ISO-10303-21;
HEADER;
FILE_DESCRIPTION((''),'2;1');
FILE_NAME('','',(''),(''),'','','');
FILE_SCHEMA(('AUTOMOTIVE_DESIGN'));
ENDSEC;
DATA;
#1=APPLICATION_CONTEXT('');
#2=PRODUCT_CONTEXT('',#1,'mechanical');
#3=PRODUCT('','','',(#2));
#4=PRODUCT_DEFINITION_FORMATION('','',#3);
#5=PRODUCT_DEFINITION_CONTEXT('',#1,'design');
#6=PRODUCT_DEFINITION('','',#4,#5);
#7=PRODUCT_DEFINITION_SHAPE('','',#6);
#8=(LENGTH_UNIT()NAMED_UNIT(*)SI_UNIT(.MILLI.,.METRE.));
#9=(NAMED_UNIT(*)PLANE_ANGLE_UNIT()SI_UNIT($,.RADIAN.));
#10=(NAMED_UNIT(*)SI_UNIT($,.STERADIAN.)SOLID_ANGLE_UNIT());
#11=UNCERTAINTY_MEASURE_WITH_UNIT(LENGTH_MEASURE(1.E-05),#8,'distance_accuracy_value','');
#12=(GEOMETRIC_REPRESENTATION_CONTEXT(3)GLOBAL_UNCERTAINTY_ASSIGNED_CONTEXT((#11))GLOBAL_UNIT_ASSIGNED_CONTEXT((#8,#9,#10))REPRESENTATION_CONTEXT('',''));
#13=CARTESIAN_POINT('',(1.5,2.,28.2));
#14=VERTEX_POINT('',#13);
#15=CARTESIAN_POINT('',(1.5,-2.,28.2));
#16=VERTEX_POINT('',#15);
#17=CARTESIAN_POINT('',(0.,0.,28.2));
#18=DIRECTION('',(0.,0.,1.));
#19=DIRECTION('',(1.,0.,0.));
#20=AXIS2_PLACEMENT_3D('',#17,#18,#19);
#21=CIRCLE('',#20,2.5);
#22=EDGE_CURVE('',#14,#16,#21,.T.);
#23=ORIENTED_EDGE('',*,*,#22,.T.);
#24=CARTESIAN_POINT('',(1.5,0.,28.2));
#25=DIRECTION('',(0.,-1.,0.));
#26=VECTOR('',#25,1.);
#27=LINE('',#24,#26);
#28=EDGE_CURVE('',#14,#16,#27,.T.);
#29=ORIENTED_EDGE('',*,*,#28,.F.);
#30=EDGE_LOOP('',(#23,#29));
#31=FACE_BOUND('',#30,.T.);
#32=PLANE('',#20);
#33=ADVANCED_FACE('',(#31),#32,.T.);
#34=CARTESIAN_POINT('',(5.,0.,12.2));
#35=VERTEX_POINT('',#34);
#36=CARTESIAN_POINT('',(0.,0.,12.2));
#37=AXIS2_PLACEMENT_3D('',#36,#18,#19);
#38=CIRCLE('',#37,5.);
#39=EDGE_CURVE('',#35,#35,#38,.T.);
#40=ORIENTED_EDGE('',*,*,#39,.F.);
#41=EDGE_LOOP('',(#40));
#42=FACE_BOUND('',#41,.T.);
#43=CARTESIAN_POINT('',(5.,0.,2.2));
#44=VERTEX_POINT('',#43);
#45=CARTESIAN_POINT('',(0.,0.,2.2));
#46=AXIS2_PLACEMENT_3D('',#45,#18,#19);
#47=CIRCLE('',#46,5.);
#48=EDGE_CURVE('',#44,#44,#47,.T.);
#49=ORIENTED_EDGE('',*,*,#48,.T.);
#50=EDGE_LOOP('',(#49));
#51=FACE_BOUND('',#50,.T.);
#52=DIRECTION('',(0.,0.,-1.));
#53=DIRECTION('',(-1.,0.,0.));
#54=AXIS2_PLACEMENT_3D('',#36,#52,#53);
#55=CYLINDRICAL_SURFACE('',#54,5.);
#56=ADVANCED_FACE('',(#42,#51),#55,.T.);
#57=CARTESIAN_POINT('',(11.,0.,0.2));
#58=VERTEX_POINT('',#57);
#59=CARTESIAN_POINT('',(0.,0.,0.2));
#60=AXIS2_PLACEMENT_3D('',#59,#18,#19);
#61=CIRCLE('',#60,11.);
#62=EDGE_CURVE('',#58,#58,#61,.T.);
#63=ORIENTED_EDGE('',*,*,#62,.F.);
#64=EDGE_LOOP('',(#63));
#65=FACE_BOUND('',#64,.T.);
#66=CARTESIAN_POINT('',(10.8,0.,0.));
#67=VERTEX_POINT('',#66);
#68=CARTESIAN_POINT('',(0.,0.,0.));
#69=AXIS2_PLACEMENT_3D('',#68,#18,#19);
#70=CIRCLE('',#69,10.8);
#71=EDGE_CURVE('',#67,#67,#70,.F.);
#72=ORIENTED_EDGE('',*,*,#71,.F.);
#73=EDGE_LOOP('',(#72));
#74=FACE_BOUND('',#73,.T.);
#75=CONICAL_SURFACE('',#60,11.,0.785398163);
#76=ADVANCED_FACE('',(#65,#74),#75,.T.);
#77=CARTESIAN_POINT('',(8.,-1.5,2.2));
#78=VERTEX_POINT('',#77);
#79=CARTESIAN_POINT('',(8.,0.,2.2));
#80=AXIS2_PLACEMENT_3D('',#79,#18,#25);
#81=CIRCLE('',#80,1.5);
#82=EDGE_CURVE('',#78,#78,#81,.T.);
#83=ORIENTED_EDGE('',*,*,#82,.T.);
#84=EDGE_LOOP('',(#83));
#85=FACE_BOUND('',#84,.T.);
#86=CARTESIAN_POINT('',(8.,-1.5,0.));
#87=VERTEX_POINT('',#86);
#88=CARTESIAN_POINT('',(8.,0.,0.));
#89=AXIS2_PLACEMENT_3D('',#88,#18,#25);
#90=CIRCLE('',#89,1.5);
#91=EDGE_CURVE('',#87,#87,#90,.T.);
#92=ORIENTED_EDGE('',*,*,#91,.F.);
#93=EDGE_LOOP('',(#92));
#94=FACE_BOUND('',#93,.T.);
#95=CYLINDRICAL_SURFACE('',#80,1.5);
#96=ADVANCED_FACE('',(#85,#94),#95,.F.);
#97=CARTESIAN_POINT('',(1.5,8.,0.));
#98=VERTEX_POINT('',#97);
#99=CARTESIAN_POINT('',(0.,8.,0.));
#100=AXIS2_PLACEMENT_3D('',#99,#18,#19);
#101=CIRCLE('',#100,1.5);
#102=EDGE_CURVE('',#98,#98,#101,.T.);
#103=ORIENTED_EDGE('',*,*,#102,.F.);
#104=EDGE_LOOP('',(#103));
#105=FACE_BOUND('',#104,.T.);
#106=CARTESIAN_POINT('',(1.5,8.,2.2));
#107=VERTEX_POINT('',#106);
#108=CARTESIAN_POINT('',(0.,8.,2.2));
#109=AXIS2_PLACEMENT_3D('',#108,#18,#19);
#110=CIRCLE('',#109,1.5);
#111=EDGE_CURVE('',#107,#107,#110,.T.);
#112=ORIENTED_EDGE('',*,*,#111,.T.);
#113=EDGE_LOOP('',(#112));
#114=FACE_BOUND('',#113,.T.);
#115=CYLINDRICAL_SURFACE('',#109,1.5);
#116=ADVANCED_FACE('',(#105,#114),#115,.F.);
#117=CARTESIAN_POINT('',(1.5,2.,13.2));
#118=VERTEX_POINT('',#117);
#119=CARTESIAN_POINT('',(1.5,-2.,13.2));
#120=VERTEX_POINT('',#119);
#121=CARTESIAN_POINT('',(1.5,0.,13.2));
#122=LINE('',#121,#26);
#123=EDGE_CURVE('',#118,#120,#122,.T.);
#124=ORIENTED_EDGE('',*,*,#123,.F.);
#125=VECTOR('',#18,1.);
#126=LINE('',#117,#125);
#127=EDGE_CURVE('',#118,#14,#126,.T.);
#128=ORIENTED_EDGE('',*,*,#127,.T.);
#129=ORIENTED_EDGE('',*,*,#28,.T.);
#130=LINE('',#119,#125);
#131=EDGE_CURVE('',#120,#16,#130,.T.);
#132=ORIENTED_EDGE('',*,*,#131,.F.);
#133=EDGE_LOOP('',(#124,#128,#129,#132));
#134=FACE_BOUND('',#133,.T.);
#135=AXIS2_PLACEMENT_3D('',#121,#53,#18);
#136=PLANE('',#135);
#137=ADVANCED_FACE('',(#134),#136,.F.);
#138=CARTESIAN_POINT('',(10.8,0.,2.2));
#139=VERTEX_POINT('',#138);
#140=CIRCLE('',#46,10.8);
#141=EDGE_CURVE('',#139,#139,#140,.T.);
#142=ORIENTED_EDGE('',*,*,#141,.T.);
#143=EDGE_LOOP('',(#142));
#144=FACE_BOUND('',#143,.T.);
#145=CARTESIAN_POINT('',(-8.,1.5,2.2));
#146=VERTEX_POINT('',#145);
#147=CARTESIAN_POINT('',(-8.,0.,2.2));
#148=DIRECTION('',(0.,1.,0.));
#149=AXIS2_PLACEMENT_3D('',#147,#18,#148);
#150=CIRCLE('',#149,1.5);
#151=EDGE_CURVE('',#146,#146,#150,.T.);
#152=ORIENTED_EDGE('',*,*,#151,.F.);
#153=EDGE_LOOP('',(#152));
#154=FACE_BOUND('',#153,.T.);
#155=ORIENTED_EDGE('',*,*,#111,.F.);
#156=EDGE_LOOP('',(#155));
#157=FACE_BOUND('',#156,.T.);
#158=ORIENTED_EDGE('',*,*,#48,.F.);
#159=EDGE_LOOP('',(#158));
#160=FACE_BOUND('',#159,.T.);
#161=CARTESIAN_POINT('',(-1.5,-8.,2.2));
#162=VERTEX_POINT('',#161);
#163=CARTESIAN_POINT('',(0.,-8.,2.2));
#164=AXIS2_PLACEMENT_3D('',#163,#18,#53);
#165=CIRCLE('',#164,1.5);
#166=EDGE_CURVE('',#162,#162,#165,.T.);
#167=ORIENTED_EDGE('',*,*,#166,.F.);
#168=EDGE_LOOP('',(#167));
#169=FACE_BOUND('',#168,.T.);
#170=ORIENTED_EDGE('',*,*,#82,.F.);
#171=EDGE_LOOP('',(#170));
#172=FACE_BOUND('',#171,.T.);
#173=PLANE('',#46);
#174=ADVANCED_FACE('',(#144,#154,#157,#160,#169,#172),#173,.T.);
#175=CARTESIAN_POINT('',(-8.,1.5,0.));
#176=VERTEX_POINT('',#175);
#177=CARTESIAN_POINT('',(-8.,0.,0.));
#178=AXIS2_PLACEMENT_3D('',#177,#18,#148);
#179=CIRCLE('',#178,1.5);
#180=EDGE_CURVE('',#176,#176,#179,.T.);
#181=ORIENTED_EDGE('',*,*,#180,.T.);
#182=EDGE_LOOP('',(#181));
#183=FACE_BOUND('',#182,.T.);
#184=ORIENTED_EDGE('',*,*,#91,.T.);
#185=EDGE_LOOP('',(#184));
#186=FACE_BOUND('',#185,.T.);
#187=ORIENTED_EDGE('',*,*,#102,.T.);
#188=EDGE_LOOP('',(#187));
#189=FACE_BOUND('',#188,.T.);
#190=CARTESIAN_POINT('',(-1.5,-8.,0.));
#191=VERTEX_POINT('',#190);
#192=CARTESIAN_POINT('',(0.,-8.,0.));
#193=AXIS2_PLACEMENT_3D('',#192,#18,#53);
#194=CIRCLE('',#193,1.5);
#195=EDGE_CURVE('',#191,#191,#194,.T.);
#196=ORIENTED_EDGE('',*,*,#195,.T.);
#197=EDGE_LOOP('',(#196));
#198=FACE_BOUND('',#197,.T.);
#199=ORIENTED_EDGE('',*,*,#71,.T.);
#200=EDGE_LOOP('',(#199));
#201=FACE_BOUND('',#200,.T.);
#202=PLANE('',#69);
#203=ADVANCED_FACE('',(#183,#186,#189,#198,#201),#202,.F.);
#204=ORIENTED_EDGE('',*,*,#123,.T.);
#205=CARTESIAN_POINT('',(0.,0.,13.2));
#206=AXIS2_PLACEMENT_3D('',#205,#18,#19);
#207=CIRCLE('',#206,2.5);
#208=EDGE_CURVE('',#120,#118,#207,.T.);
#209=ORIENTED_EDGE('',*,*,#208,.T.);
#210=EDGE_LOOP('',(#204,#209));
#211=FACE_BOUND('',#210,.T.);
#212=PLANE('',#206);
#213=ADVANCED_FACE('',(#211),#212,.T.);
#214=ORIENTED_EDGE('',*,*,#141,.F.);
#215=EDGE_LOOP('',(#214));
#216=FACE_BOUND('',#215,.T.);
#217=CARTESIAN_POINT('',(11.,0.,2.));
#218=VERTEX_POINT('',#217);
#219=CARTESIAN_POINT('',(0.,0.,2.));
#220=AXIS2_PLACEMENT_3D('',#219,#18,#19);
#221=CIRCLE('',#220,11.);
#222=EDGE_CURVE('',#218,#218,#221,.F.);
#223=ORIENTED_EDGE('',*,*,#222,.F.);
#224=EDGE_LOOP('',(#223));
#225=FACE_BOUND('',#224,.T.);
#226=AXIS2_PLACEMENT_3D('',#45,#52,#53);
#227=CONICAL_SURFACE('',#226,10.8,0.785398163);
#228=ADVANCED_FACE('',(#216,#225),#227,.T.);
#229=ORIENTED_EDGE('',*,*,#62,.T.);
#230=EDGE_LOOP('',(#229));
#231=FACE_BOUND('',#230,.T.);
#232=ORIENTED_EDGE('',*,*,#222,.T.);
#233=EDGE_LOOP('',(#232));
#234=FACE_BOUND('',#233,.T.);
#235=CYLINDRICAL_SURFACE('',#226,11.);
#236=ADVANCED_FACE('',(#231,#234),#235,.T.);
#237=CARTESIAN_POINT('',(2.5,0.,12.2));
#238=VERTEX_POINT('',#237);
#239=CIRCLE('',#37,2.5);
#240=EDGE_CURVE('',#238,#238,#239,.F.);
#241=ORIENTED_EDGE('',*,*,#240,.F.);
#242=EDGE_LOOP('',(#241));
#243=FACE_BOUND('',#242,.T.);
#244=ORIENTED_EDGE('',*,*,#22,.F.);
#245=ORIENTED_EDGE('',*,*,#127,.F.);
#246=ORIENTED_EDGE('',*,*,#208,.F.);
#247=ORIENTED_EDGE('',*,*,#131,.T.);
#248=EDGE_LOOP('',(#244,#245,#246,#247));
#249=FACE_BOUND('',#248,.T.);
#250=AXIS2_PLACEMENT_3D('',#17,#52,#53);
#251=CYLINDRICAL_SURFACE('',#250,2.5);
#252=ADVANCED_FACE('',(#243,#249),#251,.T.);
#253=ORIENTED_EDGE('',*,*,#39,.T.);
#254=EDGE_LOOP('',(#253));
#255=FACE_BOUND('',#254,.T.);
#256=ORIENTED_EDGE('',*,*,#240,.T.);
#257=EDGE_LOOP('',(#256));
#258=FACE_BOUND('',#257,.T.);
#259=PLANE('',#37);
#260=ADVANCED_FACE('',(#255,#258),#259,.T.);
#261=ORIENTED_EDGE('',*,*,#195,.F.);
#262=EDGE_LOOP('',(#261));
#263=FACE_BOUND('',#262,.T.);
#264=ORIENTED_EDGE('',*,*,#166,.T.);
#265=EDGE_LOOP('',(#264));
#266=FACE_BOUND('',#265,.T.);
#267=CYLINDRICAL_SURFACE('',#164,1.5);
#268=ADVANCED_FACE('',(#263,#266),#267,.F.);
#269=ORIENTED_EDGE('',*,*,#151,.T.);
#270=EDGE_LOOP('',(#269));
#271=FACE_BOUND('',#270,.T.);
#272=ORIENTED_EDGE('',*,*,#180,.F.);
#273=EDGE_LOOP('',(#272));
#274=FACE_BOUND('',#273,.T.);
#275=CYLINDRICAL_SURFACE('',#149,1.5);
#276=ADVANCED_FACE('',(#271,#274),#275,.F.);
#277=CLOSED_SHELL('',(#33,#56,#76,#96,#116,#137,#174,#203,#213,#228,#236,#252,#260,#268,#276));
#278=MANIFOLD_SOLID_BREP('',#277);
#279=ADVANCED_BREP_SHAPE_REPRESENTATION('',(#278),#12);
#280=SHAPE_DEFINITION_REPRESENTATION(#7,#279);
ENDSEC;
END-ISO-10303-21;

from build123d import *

# Parameters (mm, degrees)
SKETCH_1_R               = 11
SKETCH_1_R_2             = 5
EXTRUDE_1_DEPTH          = 2.2
SKETCH_2_R               = 5
EXTRUDE_2_DEPTH          = 10
F_3_0MM_1_D              = 3
PATTERN_CIRCULAR_1_COUNT = 4
CHAMFER_3_SIZE           = 0.2
SKETCH_12_R              = 2.5
EXTRUDE_1789_DEPTH       = 26
CUT_EXTRUDE_START        = -15
CUT_EXTRUDE_1_DEPTH      = 15


with BuildPart() as part:
    # 草图1 → 凸台-拉伸1 (new body)
    # profile 1 of 2: a face of its own
    with BuildSketch(Plane.XY):
        Circle(SKETCH_1_R)
        Circle(SKETCH_1_R_2, mode=Mode.SUBTRACT)
    # profile 2 of 2: a face of its own
    with BuildSketch(Plane.XY):
        Circle(SKETCH_1_R_2)
    extrude(amount=EXTRUDE_1_DEPTH)

    # 草图2 → 凸台-拉伸2 (add)
    with BuildSketch(Plane.XY.offset(2.2)):
        Circle(SKETCH_2_R)
    extrude(amount=EXTRUDE_2_DEPTH)

    # Ø3.0mm 暗销孔1 (through all)
    with Locations(Plane.XY.offset(2.2)):
        with Locations((0, 8)):
            f_3_0mm_1 = Hole(F_3_0MM_1_D / 2)

    # 阵列(圆周)1: Ø3.0mm 暗销孔1 ×4 about axis
    pattern_circular_1_axis = Axis((0, 0, 0), (0, 0, 1))
    for i in range(1, PATTERN_CIRCULAR_1_COUNT):
        add(f_3_0mm_1.rotate(pattern_circular_1_axis, i * 360 / PATTERN_CIRCULAR_1_COUNT), mode=Mode.SUBTRACT)

    # 倒角3
    chamfer_3_edges = [part.edges().sort_by_distance(p)[0] for p in [
        (-11, 0, 0),
        (-11, 0, 2.2),
    ]]
    chamfer(chamfer_3_edges, length=CHAMFER_3_SIZE)

    # 草图12 → Extrude 1789 (add)
    with BuildSketch(Plane.XY.offset(2.2)):
        with Locations(Location((0, 0, 0), (0, 0, 180))):
            Circle(SKETCH_12_R)
    extrude(amount=EXTRUDE_1789_DEPTH)

    # 草图13 → 切除-拉伸1 (cut)
    with BuildSketch(Plane.XY.offset(28.2).offset(CUT_EXTRUDE_START)):
        with BuildLine():
            Line((1.5, 2), (1.5, -2))
            ThreePointArc((1.5, -2), (2.5, 0), (1.5, 2))
        make_face()
    extrude(amount=CUT_EXTRUDE_1_DEPTH, mode=Mode.SUBTRACT)


solid = part.part
